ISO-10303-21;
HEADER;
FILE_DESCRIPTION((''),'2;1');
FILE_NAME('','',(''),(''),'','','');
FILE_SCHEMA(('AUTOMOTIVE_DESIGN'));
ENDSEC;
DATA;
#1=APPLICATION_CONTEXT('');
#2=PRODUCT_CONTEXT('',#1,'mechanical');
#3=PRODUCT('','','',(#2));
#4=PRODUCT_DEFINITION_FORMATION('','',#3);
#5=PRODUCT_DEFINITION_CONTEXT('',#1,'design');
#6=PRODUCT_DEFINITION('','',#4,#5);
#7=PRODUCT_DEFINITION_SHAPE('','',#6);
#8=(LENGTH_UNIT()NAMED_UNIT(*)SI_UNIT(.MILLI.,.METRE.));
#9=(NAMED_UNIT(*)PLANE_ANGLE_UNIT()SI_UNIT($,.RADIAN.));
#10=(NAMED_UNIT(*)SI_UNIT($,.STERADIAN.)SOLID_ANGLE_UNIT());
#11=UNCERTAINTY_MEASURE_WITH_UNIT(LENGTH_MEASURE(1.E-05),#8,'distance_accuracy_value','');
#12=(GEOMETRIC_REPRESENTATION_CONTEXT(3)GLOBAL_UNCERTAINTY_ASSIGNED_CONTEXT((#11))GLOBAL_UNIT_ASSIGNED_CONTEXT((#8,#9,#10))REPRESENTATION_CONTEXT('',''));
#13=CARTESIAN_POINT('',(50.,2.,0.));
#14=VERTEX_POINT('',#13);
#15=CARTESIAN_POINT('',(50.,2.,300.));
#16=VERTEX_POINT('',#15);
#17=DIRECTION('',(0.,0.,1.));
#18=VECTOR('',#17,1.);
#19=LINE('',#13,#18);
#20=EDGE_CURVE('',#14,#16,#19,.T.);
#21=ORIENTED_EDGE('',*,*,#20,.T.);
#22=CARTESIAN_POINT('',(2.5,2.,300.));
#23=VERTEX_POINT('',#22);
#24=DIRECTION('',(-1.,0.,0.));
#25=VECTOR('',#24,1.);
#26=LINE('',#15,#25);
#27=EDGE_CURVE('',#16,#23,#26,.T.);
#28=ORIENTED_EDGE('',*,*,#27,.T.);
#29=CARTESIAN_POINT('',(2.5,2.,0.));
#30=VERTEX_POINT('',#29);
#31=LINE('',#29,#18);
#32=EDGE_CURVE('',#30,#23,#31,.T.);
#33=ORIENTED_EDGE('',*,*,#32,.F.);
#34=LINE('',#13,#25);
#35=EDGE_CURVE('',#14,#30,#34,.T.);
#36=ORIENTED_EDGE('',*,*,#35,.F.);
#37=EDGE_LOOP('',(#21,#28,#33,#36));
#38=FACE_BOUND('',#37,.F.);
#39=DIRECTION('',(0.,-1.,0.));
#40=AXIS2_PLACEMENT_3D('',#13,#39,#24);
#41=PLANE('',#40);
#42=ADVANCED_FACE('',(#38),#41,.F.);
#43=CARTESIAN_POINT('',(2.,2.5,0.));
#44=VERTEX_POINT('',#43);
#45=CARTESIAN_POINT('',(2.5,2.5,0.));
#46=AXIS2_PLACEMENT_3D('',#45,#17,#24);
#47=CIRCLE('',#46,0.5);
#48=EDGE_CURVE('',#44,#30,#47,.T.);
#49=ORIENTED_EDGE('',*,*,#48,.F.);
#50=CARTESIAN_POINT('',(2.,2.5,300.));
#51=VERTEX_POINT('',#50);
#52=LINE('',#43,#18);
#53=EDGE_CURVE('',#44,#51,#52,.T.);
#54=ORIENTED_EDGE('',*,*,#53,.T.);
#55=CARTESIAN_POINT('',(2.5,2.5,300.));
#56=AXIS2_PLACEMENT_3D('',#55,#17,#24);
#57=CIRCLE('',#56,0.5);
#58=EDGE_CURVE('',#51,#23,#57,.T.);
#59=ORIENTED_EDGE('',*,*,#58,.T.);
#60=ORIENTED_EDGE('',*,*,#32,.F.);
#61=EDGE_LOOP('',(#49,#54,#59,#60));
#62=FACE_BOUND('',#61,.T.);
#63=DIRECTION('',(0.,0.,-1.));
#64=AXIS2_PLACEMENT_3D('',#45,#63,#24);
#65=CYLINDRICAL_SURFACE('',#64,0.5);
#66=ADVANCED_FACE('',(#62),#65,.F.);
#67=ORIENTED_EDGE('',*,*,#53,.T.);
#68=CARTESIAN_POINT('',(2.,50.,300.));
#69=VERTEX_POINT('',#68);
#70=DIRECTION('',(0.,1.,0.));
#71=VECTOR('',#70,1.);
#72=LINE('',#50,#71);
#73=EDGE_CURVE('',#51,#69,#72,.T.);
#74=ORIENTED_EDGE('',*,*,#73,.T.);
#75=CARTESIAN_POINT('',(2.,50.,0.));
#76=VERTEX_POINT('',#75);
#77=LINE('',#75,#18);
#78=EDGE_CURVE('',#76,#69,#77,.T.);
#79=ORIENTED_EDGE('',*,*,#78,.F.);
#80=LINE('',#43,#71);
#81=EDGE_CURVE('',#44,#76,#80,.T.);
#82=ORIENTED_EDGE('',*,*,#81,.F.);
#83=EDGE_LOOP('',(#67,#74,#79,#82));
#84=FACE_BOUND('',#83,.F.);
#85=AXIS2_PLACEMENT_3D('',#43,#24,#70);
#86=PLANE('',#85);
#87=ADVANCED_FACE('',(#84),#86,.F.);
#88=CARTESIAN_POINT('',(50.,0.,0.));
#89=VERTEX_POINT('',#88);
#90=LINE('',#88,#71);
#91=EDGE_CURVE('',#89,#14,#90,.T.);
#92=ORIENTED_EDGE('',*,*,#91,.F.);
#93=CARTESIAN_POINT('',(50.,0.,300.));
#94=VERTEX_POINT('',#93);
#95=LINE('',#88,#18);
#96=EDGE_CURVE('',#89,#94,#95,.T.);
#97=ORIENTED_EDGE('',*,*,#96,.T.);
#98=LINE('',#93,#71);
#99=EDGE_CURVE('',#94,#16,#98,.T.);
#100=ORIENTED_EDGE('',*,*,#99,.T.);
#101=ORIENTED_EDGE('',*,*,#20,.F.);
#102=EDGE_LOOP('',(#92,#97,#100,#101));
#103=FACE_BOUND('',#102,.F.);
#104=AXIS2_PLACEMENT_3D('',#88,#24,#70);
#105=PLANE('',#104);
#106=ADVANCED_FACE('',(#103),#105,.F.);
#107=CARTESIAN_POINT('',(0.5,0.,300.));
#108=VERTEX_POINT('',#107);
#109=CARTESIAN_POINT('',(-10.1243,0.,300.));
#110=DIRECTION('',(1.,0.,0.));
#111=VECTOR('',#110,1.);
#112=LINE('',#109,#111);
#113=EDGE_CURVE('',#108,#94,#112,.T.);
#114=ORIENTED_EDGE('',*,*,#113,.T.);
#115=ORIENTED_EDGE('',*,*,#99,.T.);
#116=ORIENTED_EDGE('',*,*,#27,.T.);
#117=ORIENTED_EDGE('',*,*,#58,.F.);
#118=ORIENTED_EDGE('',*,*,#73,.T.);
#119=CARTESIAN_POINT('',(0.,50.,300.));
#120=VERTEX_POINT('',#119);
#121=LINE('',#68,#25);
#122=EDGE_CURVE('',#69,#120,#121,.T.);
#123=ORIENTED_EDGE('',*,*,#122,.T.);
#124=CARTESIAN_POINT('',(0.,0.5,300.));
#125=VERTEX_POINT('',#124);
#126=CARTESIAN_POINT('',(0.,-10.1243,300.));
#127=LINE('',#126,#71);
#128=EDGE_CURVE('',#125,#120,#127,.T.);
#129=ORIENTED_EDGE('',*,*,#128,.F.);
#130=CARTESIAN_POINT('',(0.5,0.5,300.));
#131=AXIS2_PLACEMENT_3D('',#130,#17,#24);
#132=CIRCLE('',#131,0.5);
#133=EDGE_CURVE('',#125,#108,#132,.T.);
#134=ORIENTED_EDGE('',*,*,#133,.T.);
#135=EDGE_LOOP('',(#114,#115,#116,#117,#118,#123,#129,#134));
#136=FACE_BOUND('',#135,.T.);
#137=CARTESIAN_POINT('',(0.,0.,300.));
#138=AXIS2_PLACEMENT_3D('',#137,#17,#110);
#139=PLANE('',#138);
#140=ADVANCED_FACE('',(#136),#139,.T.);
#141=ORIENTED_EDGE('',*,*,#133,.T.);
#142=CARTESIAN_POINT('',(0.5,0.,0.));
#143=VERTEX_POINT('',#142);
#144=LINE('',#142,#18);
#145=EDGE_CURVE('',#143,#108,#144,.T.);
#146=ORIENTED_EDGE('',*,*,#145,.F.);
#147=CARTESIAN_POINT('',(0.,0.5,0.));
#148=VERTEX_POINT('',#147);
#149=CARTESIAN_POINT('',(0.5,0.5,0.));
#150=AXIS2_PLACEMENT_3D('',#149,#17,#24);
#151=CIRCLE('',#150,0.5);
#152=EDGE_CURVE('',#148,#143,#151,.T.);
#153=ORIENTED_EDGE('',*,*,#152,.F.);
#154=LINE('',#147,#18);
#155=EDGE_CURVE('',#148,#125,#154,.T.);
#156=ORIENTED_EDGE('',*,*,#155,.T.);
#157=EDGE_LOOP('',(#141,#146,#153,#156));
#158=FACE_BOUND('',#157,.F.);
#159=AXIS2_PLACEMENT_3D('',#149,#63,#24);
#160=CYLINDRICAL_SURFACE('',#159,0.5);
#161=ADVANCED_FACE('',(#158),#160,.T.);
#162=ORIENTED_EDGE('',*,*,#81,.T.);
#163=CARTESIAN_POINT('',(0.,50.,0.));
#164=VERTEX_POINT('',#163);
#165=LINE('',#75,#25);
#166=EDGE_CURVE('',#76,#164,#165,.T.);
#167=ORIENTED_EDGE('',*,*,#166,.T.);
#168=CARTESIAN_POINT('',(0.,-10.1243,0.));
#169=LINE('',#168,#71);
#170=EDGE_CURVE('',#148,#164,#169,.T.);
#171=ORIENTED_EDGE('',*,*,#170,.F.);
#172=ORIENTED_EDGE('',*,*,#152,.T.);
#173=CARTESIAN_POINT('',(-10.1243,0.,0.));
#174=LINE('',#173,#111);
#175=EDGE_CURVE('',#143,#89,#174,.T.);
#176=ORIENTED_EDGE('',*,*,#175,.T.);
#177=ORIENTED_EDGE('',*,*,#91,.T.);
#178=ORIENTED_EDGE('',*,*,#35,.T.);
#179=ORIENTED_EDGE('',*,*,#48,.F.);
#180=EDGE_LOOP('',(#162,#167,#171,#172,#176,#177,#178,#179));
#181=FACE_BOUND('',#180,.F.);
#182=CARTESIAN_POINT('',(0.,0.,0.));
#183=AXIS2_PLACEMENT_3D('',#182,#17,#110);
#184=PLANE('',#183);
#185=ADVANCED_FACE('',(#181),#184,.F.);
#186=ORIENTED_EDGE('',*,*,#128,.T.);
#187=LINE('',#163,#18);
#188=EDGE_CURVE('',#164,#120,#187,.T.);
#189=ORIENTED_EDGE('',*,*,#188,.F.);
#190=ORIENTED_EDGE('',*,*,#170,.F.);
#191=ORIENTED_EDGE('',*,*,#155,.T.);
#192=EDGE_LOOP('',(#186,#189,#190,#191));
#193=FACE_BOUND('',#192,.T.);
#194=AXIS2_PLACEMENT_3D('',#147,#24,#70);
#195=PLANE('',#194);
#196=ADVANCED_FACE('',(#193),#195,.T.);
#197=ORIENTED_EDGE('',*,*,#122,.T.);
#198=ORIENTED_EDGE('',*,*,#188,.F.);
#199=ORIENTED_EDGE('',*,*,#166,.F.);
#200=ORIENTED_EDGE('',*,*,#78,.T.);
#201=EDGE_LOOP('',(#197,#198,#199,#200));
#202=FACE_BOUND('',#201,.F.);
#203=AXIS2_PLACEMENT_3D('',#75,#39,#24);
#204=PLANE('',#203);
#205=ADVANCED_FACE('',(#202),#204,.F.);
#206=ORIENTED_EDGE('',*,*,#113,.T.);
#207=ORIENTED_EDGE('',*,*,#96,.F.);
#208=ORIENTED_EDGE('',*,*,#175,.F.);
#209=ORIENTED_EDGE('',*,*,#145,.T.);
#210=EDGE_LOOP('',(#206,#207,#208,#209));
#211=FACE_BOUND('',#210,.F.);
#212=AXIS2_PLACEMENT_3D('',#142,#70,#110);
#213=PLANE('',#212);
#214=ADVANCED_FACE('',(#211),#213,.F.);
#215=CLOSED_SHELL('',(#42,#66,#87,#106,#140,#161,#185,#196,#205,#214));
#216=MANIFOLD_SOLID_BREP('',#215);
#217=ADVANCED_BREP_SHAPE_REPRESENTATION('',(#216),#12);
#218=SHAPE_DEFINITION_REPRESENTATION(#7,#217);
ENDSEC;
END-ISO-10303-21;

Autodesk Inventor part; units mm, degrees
ref_plane "YZ Plane" through (0, 0, 0) normal (1, 0, 0) x (0, 1, 0)
ref_plane "XZ Plane" through (0, 0, 0) normal (0, 1, 0) x (-1, 0, 0)
ref_plane "XY Plane" through (0, 0, 0) normal (0, 0, 1) x (1, 0, 0)
sketch "Szkic1" plane through (0, 0, 0) normal (0, 0, 1) x (1, 0, 0)
  line L0 (-10.1243, 0) -> (60.0207, 0) projected
  line L1 (0, -10.1243) -> (0, 60.0207) projected
  line L2 (0, 50) -> (0, 0.5)
  line L3 (0.5, 0) -> (50, 0)
  line L4 (50, 2) -> (2.5, 2)
  line L5 (2, 2.5) -> (2, 50)
  line L6 (2, 50) -> (0, 50)
  line L7 (50, 0) -> (50, 2)
  arc A0 (2, 2.5) -> (2.5, 2) centre (2.5, 2.5) ccw
  arc A1 (0, 0.5) -> (0.5, 0) centre (0.5, 0.5) ccw
  point P0 (0, 0)
  dimension "d0" = 2
  dimension "d2" = 2
  dimension "d3" = 50
  dimension "d4" = 50
  dimension "d5" = 0.5
extrude "Wyciągnięcie proste1" add sketch "Szkic1" along normal blind 300 contours A1 L1 L6 L5 A0 L4 L7 L0
properties part number "kątownik 1" material "Aluminium 6061"
